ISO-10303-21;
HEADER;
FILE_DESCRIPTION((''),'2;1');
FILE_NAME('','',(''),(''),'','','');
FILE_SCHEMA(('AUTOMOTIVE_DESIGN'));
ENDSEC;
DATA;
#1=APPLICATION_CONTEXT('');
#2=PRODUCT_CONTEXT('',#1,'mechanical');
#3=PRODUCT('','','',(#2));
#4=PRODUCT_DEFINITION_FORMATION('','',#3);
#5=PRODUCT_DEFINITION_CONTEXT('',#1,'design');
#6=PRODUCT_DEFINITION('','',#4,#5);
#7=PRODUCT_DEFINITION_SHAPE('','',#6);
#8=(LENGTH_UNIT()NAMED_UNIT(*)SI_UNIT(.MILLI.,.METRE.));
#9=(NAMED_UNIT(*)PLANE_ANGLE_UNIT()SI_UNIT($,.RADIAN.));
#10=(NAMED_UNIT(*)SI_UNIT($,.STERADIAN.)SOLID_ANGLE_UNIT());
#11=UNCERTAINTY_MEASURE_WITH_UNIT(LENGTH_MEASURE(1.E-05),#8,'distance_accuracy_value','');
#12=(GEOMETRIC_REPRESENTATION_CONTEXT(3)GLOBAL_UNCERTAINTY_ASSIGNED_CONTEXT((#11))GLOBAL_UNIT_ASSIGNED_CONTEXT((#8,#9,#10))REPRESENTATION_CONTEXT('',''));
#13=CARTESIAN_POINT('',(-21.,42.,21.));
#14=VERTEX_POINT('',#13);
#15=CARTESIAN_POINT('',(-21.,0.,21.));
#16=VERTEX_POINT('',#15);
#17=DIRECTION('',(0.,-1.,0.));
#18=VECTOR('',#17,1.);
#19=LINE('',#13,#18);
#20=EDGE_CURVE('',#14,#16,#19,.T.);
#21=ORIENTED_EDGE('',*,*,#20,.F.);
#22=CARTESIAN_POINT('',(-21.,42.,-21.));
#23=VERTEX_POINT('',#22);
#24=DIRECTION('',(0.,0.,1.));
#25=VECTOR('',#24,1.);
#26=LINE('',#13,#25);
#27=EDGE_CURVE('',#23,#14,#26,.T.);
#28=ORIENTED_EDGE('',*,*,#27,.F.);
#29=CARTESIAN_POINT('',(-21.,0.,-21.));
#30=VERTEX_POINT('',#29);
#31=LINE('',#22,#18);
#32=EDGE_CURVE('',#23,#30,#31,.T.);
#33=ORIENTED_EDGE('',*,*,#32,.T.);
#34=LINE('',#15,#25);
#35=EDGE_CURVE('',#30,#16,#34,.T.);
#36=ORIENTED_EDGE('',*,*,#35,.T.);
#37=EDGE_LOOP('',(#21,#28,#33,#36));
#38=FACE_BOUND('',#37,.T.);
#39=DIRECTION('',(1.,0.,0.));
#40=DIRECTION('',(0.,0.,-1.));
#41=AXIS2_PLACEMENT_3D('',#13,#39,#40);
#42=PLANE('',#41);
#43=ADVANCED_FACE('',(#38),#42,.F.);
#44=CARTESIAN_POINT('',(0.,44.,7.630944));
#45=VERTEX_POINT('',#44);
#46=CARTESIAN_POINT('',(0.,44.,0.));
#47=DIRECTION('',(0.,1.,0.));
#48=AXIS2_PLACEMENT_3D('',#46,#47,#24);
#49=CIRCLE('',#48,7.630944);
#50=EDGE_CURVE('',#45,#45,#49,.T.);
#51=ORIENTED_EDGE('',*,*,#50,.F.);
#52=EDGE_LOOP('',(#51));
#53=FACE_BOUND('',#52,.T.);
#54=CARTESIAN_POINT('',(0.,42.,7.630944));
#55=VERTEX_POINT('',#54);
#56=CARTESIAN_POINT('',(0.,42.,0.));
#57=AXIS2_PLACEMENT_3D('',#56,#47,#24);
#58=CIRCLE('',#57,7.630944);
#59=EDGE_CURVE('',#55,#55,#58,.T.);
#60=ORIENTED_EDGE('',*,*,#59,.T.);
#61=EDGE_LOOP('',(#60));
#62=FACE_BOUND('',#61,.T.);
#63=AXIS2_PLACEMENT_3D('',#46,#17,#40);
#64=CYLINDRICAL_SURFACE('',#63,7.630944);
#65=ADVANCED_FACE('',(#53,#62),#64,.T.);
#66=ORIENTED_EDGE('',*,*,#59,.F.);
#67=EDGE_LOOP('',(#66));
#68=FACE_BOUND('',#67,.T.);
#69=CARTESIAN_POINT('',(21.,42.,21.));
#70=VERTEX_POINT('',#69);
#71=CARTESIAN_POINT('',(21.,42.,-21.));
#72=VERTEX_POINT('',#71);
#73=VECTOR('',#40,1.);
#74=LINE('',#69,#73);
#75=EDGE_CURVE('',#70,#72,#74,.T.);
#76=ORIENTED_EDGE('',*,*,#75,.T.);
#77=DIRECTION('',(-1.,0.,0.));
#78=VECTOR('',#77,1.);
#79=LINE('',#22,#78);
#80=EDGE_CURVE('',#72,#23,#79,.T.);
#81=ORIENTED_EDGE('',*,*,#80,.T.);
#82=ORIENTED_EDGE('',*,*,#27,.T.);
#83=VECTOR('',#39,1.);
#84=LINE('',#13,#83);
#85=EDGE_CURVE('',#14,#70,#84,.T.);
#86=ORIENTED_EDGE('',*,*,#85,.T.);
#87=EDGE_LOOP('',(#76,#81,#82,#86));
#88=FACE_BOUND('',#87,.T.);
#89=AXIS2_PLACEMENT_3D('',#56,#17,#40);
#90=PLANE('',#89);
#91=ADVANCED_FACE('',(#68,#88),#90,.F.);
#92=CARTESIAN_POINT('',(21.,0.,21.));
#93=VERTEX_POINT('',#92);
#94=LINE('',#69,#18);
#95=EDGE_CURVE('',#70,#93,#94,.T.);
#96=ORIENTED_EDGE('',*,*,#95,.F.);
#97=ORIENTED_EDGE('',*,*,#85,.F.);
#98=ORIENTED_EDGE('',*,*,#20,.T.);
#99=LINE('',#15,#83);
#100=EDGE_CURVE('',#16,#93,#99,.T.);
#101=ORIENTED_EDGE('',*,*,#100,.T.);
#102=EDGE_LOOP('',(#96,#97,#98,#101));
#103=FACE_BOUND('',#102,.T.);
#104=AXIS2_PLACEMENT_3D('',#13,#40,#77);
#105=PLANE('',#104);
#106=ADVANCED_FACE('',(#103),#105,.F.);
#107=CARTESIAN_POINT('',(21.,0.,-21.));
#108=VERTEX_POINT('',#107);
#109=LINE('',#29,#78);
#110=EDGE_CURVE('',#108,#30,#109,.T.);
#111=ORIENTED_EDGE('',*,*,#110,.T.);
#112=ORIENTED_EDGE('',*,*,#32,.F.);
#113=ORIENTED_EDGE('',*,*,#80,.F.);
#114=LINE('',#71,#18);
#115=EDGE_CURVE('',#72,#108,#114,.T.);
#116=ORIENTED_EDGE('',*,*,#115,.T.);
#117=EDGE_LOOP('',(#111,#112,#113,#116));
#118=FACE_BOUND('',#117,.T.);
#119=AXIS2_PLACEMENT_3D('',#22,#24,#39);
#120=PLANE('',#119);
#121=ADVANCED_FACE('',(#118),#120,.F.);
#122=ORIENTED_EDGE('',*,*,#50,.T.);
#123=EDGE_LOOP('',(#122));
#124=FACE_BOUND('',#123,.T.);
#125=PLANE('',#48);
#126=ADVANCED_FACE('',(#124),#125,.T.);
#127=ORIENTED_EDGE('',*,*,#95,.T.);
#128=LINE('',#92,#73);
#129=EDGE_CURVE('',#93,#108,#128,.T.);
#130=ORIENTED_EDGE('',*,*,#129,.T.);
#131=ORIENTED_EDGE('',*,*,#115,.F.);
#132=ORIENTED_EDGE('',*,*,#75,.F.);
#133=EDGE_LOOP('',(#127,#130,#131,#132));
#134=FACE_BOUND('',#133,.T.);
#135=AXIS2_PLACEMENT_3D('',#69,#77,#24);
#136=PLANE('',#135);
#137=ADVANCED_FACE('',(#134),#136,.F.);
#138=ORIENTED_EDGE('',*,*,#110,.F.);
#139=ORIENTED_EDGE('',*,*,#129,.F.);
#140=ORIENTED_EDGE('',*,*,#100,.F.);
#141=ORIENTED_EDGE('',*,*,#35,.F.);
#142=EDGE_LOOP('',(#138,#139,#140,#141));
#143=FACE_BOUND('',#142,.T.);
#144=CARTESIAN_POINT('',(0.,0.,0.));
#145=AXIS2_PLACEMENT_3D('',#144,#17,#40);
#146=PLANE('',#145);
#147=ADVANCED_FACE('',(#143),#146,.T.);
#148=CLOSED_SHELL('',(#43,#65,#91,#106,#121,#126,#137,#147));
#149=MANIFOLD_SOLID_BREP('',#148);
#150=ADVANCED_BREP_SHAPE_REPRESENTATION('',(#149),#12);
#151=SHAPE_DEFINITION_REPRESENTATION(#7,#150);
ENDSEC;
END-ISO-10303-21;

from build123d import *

# Parameters (mm, degrees)
SKETCH1_W           = 42
SKETCH1_H           = 42
BOSS_EXTRUDE1_DEPTH = 42
SKETCH2_R           = 7.63094392
BOSS_EXTRUDE2_DEPTH = 2


with BuildPart() as part:
    # Sketch1 → Boss-Extrude1 (new body)
    with BuildSketch(Plane(origin=(0, 0, 0), x_dir=(1, 0, 0), z_dir=(0, 1, 0))):
        Rectangle(SKETCH1_W, SKETCH1_H)
    extrude(amount=BOSS_EXTRUDE1_DEPTH)

    # Sketch2 → Boss-Extrude2 (add)
    with BuildSketch(Plane(origin=(0, 42, 0), x_dir=(1, 0, 0), z_dir=(0, 1, 0))):
        Circle(SKETCH2_R)
    extrude(amount=BOSS_EXTRUDE2_DEPTH)


solid = part.part
